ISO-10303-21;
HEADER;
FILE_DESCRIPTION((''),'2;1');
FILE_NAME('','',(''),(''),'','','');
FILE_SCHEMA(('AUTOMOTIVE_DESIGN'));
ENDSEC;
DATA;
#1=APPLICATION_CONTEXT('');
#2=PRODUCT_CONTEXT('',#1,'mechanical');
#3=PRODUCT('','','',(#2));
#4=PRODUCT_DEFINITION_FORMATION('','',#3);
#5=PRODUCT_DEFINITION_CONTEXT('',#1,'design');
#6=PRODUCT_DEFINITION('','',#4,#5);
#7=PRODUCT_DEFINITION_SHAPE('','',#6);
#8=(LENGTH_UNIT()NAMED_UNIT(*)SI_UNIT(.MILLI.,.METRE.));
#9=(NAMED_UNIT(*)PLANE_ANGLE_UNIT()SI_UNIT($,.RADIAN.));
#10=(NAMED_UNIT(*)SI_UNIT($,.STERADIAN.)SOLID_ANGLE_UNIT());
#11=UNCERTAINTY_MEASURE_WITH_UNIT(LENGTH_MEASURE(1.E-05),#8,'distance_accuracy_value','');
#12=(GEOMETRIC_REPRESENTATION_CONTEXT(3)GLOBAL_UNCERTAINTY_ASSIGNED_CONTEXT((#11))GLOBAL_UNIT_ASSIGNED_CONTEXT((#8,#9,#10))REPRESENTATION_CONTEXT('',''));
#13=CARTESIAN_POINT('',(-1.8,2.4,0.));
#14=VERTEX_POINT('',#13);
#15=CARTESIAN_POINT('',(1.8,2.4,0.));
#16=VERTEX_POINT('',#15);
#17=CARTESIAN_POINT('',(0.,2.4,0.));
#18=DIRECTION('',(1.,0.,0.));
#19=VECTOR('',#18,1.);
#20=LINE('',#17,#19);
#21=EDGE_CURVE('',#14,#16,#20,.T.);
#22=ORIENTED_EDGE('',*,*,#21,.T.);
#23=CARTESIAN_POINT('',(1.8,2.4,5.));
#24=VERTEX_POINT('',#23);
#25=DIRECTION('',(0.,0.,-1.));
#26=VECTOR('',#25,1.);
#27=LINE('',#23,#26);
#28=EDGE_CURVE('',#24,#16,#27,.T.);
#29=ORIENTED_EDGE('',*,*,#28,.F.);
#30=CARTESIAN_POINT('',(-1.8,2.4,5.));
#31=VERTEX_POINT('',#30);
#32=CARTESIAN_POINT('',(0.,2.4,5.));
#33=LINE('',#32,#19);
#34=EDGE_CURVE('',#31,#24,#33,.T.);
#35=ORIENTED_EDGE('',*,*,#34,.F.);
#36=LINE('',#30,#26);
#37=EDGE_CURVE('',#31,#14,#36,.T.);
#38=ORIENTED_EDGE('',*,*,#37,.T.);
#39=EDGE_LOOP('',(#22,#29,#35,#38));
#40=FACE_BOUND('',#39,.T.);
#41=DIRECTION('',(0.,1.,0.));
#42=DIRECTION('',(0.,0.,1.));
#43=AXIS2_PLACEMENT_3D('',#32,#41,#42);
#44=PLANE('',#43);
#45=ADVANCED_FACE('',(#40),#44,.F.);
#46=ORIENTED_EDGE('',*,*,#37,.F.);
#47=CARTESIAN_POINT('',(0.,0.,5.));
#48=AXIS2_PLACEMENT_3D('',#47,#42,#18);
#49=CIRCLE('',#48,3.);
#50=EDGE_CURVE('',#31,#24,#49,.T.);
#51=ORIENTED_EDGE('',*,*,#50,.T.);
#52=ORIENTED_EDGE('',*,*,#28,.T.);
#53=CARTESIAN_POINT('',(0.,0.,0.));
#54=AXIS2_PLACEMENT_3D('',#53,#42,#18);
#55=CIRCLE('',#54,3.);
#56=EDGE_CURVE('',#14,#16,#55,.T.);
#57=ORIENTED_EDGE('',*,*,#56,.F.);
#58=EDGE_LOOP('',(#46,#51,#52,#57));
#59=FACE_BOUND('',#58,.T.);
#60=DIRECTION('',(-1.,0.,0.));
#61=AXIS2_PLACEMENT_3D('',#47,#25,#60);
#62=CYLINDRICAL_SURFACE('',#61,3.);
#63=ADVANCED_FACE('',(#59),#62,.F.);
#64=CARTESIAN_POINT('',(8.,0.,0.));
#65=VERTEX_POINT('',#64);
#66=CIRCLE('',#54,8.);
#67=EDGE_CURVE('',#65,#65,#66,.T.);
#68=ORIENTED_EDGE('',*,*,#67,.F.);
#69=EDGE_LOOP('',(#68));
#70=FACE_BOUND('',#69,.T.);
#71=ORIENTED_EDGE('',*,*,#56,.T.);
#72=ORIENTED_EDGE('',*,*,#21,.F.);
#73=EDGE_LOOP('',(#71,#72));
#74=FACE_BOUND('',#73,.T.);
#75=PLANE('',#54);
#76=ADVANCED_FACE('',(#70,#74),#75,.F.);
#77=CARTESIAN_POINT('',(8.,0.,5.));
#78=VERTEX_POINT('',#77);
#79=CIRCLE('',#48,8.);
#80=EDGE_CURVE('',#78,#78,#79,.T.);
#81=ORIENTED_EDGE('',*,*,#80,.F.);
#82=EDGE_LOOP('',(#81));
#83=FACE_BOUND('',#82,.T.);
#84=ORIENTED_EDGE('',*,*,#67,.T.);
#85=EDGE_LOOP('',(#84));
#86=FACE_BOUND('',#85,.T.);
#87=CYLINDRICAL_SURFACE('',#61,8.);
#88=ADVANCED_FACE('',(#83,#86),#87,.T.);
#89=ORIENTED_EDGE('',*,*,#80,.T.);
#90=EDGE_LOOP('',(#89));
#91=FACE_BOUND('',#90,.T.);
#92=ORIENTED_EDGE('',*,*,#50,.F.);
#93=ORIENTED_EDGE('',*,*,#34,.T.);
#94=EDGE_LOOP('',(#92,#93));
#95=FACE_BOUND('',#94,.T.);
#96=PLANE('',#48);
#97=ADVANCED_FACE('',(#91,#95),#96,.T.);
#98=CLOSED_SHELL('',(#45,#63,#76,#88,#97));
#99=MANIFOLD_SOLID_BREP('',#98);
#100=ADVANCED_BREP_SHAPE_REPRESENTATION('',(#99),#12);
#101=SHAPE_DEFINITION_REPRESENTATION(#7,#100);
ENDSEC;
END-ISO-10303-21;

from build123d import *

# Parameters (mm, degrees)
ESQUISSE1_R        = 8
BOSS_EXTRU_1_DEPTH = 5


with BuildPart() as part:
    # Esquisse1 → Boss.-Extru.1 (new body)
    with BuildSketch(Plane.XY):
        Circle(ESQUISSE1_R)
        with BuildLine():
            Line((-1.8, 2.4), (1.8, 2.4))
            ThreePointArc((1.8, 2.4), (0, -3), (-1.8, 2.4))
        make_face(mode=Mode.SUBTRACT)
    extrude(amount=BOSS_EXTRU_1_DEPTH)


solid = part.part
